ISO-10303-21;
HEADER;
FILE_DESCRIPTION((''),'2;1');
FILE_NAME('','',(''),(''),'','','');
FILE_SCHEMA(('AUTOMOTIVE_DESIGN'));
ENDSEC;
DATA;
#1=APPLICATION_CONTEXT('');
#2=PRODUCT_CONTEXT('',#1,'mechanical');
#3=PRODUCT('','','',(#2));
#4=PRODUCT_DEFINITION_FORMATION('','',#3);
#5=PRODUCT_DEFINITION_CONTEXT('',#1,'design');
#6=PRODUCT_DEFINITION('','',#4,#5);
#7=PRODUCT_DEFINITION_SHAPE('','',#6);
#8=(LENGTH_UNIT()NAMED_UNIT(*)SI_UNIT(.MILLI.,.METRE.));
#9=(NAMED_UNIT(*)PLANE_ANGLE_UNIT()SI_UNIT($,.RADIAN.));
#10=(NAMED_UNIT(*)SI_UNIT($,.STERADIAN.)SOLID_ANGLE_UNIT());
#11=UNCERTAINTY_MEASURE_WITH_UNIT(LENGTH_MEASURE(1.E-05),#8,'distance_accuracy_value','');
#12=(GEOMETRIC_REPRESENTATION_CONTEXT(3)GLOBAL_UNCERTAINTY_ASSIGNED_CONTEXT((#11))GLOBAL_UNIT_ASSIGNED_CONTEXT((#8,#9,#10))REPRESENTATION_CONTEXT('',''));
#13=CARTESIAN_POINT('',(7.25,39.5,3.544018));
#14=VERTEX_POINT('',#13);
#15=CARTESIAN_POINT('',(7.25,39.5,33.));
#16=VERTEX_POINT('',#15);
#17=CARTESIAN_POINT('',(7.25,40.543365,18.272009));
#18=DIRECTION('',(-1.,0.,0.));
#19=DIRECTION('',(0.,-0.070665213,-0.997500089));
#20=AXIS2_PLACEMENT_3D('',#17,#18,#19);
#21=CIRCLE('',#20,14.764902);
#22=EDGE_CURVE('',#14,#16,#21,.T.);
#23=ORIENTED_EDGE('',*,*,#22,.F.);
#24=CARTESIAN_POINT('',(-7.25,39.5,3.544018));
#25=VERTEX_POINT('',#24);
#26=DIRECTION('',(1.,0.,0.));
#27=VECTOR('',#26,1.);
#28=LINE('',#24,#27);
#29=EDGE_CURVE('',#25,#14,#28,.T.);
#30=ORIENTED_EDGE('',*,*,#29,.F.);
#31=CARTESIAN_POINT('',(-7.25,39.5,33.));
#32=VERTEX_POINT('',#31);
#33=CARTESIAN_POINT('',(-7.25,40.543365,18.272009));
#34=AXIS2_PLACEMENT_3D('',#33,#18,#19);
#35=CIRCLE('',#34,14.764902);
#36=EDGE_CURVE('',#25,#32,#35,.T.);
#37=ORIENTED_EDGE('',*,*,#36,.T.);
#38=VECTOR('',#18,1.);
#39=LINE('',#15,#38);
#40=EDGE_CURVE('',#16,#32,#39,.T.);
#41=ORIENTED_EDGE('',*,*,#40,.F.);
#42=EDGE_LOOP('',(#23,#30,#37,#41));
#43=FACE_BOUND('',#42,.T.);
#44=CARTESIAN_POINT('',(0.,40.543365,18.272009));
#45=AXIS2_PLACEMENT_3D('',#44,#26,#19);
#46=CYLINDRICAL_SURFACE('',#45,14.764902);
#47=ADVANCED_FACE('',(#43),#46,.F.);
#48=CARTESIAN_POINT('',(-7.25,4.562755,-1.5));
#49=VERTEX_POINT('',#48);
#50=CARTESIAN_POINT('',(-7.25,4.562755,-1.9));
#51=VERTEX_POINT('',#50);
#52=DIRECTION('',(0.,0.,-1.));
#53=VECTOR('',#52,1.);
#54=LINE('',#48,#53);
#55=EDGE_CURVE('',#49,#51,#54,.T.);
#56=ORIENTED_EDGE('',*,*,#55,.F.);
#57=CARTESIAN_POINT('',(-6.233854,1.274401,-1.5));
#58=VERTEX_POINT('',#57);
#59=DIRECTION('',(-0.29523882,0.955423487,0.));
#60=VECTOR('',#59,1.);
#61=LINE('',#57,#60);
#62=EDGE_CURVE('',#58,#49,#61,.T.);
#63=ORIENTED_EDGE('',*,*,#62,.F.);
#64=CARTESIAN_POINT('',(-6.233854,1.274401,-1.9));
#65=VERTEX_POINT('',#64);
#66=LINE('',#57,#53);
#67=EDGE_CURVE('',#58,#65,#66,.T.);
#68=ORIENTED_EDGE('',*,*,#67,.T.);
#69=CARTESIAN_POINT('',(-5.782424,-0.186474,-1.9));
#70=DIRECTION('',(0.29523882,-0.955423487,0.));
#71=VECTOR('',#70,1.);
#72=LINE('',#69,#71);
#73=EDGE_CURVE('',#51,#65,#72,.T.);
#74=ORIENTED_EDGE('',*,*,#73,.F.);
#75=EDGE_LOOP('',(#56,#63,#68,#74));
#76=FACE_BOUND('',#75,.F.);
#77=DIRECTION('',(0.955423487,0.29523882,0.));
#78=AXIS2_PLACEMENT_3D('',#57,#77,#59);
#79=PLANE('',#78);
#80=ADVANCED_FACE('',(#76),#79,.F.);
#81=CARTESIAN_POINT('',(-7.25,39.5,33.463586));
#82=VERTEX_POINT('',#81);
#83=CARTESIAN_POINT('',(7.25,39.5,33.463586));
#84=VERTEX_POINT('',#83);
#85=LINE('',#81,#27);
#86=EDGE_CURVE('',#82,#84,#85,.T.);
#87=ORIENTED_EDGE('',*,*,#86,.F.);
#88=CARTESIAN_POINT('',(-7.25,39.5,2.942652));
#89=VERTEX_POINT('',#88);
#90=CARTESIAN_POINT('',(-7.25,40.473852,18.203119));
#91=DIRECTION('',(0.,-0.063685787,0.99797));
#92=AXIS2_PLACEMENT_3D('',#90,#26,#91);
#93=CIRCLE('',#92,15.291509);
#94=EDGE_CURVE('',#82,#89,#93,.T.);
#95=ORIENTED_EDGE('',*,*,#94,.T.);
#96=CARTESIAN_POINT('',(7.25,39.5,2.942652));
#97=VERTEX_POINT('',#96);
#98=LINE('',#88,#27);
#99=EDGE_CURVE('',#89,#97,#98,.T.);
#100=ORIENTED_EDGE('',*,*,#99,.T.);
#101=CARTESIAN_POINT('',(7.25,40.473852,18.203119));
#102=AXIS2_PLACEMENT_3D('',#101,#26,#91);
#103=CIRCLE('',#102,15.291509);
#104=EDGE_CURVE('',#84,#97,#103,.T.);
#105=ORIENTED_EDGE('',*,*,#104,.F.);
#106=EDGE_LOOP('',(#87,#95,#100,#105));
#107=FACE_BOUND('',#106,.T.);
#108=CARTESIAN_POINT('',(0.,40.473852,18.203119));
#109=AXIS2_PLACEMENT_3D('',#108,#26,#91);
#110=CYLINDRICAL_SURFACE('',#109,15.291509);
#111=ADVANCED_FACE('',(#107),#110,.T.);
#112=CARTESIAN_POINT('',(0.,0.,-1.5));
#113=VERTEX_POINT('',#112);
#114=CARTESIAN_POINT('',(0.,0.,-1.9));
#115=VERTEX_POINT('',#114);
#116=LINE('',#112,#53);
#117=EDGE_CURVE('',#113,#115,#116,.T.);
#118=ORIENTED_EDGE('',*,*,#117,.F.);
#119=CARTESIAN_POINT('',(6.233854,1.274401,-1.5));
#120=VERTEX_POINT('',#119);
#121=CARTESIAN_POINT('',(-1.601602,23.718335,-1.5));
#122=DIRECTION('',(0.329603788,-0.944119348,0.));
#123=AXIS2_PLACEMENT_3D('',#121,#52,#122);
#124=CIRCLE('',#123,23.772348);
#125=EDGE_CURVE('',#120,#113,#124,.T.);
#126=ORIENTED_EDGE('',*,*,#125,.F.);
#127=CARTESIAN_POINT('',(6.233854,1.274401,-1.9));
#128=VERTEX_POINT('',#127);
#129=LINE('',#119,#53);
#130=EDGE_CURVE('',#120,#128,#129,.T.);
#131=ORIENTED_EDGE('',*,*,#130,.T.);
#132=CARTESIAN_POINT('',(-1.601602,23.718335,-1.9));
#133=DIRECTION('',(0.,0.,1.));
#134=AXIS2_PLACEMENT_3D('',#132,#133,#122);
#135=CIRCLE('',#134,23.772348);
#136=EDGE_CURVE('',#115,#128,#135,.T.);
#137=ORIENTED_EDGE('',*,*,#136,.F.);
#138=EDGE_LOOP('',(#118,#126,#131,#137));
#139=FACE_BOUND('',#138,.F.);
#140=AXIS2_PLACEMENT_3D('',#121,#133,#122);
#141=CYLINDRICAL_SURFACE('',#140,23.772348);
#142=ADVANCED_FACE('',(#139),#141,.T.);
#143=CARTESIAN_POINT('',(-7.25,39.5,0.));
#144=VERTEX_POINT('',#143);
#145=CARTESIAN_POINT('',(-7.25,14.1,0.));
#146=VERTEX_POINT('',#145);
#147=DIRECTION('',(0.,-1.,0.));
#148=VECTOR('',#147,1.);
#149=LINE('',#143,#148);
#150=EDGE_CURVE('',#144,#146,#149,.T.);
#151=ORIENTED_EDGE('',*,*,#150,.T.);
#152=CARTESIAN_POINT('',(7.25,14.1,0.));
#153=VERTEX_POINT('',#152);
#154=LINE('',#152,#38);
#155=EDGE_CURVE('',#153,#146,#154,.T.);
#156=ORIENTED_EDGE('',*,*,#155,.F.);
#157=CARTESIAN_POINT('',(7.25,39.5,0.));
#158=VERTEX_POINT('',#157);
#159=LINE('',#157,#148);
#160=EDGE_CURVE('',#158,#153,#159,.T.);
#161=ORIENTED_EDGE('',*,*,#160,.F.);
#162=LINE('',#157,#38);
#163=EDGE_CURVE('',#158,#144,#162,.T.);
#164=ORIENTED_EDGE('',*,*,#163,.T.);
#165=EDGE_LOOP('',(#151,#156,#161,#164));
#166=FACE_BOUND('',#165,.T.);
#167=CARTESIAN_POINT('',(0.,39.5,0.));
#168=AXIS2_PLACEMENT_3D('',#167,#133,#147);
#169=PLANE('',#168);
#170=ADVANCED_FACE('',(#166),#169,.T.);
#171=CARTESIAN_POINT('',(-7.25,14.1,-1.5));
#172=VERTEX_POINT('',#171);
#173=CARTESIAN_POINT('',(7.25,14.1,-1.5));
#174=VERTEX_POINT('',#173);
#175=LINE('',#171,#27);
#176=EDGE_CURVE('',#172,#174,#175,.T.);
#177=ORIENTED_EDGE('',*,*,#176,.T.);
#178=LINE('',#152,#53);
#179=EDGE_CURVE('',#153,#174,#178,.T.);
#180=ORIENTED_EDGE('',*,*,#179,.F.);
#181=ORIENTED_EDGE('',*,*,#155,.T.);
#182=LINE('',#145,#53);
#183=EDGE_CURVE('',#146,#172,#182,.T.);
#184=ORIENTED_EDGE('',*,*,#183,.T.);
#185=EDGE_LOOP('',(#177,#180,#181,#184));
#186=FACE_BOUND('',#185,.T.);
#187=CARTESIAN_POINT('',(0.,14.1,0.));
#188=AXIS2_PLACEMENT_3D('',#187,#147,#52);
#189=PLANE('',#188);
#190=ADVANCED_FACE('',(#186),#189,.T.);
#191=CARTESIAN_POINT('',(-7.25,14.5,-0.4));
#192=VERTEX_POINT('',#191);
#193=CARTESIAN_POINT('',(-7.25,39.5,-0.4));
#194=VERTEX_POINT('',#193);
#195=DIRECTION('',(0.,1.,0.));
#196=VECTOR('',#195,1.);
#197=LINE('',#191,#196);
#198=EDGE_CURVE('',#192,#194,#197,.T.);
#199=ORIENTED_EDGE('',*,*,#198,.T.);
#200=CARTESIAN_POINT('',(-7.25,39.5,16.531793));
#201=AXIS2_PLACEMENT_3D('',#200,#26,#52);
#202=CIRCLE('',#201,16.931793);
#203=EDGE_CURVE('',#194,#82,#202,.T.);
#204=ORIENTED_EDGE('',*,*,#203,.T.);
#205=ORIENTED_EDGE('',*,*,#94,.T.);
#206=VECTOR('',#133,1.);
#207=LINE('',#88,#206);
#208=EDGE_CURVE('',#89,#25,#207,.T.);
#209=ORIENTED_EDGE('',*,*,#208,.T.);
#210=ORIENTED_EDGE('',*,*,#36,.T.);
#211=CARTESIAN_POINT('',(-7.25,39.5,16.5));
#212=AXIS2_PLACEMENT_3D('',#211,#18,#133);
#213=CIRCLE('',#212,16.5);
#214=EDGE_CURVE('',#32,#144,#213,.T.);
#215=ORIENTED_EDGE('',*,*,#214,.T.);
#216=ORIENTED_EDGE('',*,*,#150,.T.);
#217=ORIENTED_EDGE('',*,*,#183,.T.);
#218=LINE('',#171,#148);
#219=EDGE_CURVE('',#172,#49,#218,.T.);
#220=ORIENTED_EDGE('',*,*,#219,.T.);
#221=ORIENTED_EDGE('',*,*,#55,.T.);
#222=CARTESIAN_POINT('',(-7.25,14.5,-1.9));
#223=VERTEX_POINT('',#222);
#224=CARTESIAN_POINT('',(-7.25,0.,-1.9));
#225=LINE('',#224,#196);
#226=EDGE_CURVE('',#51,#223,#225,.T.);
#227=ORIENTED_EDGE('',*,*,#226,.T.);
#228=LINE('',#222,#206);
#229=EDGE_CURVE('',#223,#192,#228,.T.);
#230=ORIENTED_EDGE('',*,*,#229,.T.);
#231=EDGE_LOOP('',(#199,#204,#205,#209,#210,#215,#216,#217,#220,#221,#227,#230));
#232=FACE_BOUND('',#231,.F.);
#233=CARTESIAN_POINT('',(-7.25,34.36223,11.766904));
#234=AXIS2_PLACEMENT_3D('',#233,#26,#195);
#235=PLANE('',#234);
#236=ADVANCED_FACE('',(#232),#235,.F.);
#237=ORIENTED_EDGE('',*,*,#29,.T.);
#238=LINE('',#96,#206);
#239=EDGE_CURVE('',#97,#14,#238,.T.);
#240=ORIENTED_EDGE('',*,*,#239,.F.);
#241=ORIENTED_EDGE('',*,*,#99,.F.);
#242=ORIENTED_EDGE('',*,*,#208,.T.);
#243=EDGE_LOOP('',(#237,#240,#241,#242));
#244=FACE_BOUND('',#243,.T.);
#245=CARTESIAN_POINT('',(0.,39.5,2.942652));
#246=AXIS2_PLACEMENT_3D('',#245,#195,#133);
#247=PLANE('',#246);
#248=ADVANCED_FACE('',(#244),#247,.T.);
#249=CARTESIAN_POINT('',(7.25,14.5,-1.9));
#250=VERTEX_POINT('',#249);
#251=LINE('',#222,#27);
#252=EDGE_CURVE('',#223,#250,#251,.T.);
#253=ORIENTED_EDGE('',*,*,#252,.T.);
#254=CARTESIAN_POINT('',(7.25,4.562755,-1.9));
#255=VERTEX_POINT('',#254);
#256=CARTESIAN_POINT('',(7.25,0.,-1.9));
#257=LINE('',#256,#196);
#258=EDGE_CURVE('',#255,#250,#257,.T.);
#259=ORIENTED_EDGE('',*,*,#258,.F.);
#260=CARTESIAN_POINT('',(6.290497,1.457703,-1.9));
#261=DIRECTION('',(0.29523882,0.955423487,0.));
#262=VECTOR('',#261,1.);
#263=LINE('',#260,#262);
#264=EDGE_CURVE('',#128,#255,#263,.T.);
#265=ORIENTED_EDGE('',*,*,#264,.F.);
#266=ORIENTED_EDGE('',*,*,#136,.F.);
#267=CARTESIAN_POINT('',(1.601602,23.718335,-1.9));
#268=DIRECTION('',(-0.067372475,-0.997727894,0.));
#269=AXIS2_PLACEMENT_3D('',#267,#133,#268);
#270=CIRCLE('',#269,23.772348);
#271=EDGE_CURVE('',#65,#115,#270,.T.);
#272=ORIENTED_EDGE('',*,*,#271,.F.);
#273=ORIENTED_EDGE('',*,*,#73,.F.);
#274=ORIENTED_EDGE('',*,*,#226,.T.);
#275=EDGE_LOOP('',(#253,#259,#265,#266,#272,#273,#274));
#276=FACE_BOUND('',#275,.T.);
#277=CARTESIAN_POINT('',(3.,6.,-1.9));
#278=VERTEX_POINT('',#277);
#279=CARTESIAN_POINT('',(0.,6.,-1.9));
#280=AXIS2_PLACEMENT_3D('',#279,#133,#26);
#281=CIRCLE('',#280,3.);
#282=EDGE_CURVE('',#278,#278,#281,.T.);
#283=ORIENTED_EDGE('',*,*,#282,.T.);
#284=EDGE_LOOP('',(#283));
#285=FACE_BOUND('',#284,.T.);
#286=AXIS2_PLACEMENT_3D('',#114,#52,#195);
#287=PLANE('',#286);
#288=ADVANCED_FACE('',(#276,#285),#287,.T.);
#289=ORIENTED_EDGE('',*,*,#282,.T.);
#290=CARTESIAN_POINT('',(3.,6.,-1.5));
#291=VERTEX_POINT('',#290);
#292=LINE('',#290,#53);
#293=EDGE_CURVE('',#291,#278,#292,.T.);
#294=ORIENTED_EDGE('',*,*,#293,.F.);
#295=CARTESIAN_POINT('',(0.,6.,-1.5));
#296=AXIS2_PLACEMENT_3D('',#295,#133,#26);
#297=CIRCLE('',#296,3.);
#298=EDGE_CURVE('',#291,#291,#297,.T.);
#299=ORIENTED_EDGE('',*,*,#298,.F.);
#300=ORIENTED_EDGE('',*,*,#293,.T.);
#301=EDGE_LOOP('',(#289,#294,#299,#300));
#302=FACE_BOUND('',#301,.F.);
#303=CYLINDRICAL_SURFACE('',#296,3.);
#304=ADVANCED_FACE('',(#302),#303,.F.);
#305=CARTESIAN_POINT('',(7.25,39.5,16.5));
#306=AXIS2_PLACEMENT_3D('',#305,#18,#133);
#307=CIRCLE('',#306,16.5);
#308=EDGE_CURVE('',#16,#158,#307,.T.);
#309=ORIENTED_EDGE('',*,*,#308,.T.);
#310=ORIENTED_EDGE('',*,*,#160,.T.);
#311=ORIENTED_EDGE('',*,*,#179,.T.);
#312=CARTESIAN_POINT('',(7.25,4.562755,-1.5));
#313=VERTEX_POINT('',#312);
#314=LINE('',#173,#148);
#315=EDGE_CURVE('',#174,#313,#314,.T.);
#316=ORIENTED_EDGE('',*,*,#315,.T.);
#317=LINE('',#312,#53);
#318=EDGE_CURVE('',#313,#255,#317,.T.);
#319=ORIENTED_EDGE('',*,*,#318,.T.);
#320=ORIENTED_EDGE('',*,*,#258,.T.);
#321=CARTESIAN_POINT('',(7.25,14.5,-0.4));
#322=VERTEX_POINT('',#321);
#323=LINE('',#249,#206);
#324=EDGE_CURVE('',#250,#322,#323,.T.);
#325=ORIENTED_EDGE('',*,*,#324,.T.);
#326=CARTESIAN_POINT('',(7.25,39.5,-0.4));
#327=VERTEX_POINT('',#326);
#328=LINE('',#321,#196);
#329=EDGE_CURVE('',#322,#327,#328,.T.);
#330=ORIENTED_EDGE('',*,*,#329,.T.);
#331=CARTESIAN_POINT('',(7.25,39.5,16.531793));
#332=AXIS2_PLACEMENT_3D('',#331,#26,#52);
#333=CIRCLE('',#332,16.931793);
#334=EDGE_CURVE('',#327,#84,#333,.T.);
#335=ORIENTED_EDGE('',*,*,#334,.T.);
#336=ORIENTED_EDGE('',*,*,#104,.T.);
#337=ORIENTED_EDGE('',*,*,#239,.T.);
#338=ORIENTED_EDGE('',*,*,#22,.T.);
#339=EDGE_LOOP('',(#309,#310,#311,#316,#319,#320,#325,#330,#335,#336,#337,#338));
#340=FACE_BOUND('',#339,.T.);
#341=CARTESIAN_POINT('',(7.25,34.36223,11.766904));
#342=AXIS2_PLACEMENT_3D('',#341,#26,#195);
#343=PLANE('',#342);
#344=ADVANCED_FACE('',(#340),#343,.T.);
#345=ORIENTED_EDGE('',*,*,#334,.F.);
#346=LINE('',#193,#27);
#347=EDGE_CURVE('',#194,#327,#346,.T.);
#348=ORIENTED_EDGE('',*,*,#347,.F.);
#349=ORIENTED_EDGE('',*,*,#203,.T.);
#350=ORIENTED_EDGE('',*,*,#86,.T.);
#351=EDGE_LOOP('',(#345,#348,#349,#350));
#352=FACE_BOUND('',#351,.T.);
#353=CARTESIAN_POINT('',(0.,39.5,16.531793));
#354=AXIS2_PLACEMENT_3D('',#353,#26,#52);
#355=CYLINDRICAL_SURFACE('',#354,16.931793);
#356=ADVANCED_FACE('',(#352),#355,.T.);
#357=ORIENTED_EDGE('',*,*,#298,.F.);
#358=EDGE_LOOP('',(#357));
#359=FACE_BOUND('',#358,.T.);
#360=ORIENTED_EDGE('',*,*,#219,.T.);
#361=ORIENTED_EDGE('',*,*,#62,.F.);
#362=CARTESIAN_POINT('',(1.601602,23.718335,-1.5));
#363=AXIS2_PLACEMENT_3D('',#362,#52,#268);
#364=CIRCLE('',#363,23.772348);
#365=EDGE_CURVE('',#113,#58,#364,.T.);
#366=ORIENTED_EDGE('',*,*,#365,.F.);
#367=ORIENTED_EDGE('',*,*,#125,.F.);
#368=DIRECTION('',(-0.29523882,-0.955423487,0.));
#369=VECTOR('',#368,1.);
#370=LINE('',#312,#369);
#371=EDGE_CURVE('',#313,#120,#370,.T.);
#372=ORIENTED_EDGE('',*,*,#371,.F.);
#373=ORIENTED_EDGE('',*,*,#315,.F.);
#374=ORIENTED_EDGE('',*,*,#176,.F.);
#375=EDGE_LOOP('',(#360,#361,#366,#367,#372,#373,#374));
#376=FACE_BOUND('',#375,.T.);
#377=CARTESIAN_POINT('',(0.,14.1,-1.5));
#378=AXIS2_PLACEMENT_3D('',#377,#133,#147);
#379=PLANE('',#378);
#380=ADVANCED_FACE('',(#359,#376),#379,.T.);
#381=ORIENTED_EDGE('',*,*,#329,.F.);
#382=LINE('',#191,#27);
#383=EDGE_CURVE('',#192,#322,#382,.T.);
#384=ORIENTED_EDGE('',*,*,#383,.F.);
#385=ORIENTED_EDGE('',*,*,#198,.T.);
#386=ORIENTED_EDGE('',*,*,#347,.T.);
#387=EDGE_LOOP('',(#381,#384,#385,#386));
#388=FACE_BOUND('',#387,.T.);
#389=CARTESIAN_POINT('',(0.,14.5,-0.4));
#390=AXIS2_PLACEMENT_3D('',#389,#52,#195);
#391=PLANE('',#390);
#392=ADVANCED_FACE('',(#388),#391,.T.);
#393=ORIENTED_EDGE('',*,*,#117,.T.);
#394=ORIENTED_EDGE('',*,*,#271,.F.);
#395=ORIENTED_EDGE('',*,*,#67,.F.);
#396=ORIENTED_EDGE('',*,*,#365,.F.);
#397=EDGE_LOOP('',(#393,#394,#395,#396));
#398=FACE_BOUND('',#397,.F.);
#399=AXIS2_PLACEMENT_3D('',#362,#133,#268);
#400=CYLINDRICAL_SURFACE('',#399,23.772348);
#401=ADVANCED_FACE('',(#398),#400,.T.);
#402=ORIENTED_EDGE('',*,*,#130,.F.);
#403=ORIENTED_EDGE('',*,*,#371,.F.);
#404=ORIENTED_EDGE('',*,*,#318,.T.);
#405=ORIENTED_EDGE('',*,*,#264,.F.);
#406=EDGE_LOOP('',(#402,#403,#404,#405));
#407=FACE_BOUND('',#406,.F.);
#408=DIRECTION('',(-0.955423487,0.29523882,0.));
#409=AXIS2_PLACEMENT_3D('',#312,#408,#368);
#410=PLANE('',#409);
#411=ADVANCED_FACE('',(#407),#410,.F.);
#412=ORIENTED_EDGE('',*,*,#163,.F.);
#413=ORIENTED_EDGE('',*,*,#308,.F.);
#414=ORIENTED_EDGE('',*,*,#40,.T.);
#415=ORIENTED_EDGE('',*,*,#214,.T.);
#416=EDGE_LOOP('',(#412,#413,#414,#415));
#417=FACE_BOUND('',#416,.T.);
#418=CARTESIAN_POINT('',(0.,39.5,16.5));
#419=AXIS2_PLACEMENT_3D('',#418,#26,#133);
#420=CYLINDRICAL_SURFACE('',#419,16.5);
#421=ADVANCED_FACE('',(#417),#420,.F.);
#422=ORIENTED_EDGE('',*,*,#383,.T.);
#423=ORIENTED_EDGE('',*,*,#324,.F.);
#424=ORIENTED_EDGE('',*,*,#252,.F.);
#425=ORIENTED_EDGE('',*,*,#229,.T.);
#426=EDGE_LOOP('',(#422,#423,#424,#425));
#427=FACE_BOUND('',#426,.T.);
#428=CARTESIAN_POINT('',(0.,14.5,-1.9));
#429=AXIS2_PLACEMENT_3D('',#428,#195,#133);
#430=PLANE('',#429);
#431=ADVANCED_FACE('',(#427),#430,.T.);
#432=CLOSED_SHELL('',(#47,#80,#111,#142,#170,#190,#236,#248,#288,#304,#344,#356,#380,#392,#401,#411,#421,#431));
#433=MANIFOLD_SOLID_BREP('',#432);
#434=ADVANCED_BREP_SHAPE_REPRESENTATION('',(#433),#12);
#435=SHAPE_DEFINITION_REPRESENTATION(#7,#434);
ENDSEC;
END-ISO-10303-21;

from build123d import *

# Parameters (mm, degrees)
F1_DEPTH = 7.25
F2_R     = 3
F3_DEPTH = 25


with BuildPart() as f1:
    # F0 (on Right) → F1 (new body, symmetric)
    with BuildSketch(Plane.YZ):
        with BuildLine():
            Line((14.5, 0), (14.1, 0))
            Line((14.1, 0), (14.1, -0.4))
            Line((14.1, -0.4), (14.1, -1.5))
            Line((14.1, -1.5), (0, -1.5))
            Line((0, -1.5), (0, -1.9))
            Line((0, -1.9), (14.5, -1.9))
            Line((14.5, -1.9), (14.5, -0.4))
            Line((14.5, -0.4), (39.5, -0.4))
            ThreePointArc((39.5, -0.4), (56.431793, 16.531793), (39.5, 33.463586))
            ThreePointArc((39.5, 33.463586), (25.182343, 18.203119), (39.5, 2.942652))
            Line((39.5, 2.942652), (39.5, 3.544018))
            ThreePointArc((39.5, 3.544018), (25.778463, 18.272009), (39.5, 33))
            ThreePointArc((39.5, 33), (56, 16.5), (39.5, 0))
            Line((39.5, 0), (14.5, 0))
        make_face()
    extrude(amount=F1_DEPTH, both=True)

    # F2 (on face) → F3 (cut)
    with BuildSketch(Plane.XY.offset(-1.5)):
        with BuildLine():
            ThreePointArc((6.233854, 1.274401), (3.159757, 0.427693), (0, 0))
            Line((0, 0), (7.25, 0))
            Line((7.25, 0), (7.25, 4.562755))
            Line((7.25, 4.562755), (6.233854, 1.274401))
        make_face()
        with BuildLine():
            ThreePointArc((0, 0), (-3.159757, 0.427693), (-6.233854, 1.274401))
            Line((-6.233854, 1.274401), (-7.25, 4.562755))
            Line((-7.25, 4.562755), (-7.25, 0))
            Line((-7.25, 0), (0, 0))
        make_face()
        with Locations((0, 6)):
            Circle(F2_R)
    extrude(amount=-F3_DEPTH, mode=Mode.SUBTRACT)


solid = f1.part
